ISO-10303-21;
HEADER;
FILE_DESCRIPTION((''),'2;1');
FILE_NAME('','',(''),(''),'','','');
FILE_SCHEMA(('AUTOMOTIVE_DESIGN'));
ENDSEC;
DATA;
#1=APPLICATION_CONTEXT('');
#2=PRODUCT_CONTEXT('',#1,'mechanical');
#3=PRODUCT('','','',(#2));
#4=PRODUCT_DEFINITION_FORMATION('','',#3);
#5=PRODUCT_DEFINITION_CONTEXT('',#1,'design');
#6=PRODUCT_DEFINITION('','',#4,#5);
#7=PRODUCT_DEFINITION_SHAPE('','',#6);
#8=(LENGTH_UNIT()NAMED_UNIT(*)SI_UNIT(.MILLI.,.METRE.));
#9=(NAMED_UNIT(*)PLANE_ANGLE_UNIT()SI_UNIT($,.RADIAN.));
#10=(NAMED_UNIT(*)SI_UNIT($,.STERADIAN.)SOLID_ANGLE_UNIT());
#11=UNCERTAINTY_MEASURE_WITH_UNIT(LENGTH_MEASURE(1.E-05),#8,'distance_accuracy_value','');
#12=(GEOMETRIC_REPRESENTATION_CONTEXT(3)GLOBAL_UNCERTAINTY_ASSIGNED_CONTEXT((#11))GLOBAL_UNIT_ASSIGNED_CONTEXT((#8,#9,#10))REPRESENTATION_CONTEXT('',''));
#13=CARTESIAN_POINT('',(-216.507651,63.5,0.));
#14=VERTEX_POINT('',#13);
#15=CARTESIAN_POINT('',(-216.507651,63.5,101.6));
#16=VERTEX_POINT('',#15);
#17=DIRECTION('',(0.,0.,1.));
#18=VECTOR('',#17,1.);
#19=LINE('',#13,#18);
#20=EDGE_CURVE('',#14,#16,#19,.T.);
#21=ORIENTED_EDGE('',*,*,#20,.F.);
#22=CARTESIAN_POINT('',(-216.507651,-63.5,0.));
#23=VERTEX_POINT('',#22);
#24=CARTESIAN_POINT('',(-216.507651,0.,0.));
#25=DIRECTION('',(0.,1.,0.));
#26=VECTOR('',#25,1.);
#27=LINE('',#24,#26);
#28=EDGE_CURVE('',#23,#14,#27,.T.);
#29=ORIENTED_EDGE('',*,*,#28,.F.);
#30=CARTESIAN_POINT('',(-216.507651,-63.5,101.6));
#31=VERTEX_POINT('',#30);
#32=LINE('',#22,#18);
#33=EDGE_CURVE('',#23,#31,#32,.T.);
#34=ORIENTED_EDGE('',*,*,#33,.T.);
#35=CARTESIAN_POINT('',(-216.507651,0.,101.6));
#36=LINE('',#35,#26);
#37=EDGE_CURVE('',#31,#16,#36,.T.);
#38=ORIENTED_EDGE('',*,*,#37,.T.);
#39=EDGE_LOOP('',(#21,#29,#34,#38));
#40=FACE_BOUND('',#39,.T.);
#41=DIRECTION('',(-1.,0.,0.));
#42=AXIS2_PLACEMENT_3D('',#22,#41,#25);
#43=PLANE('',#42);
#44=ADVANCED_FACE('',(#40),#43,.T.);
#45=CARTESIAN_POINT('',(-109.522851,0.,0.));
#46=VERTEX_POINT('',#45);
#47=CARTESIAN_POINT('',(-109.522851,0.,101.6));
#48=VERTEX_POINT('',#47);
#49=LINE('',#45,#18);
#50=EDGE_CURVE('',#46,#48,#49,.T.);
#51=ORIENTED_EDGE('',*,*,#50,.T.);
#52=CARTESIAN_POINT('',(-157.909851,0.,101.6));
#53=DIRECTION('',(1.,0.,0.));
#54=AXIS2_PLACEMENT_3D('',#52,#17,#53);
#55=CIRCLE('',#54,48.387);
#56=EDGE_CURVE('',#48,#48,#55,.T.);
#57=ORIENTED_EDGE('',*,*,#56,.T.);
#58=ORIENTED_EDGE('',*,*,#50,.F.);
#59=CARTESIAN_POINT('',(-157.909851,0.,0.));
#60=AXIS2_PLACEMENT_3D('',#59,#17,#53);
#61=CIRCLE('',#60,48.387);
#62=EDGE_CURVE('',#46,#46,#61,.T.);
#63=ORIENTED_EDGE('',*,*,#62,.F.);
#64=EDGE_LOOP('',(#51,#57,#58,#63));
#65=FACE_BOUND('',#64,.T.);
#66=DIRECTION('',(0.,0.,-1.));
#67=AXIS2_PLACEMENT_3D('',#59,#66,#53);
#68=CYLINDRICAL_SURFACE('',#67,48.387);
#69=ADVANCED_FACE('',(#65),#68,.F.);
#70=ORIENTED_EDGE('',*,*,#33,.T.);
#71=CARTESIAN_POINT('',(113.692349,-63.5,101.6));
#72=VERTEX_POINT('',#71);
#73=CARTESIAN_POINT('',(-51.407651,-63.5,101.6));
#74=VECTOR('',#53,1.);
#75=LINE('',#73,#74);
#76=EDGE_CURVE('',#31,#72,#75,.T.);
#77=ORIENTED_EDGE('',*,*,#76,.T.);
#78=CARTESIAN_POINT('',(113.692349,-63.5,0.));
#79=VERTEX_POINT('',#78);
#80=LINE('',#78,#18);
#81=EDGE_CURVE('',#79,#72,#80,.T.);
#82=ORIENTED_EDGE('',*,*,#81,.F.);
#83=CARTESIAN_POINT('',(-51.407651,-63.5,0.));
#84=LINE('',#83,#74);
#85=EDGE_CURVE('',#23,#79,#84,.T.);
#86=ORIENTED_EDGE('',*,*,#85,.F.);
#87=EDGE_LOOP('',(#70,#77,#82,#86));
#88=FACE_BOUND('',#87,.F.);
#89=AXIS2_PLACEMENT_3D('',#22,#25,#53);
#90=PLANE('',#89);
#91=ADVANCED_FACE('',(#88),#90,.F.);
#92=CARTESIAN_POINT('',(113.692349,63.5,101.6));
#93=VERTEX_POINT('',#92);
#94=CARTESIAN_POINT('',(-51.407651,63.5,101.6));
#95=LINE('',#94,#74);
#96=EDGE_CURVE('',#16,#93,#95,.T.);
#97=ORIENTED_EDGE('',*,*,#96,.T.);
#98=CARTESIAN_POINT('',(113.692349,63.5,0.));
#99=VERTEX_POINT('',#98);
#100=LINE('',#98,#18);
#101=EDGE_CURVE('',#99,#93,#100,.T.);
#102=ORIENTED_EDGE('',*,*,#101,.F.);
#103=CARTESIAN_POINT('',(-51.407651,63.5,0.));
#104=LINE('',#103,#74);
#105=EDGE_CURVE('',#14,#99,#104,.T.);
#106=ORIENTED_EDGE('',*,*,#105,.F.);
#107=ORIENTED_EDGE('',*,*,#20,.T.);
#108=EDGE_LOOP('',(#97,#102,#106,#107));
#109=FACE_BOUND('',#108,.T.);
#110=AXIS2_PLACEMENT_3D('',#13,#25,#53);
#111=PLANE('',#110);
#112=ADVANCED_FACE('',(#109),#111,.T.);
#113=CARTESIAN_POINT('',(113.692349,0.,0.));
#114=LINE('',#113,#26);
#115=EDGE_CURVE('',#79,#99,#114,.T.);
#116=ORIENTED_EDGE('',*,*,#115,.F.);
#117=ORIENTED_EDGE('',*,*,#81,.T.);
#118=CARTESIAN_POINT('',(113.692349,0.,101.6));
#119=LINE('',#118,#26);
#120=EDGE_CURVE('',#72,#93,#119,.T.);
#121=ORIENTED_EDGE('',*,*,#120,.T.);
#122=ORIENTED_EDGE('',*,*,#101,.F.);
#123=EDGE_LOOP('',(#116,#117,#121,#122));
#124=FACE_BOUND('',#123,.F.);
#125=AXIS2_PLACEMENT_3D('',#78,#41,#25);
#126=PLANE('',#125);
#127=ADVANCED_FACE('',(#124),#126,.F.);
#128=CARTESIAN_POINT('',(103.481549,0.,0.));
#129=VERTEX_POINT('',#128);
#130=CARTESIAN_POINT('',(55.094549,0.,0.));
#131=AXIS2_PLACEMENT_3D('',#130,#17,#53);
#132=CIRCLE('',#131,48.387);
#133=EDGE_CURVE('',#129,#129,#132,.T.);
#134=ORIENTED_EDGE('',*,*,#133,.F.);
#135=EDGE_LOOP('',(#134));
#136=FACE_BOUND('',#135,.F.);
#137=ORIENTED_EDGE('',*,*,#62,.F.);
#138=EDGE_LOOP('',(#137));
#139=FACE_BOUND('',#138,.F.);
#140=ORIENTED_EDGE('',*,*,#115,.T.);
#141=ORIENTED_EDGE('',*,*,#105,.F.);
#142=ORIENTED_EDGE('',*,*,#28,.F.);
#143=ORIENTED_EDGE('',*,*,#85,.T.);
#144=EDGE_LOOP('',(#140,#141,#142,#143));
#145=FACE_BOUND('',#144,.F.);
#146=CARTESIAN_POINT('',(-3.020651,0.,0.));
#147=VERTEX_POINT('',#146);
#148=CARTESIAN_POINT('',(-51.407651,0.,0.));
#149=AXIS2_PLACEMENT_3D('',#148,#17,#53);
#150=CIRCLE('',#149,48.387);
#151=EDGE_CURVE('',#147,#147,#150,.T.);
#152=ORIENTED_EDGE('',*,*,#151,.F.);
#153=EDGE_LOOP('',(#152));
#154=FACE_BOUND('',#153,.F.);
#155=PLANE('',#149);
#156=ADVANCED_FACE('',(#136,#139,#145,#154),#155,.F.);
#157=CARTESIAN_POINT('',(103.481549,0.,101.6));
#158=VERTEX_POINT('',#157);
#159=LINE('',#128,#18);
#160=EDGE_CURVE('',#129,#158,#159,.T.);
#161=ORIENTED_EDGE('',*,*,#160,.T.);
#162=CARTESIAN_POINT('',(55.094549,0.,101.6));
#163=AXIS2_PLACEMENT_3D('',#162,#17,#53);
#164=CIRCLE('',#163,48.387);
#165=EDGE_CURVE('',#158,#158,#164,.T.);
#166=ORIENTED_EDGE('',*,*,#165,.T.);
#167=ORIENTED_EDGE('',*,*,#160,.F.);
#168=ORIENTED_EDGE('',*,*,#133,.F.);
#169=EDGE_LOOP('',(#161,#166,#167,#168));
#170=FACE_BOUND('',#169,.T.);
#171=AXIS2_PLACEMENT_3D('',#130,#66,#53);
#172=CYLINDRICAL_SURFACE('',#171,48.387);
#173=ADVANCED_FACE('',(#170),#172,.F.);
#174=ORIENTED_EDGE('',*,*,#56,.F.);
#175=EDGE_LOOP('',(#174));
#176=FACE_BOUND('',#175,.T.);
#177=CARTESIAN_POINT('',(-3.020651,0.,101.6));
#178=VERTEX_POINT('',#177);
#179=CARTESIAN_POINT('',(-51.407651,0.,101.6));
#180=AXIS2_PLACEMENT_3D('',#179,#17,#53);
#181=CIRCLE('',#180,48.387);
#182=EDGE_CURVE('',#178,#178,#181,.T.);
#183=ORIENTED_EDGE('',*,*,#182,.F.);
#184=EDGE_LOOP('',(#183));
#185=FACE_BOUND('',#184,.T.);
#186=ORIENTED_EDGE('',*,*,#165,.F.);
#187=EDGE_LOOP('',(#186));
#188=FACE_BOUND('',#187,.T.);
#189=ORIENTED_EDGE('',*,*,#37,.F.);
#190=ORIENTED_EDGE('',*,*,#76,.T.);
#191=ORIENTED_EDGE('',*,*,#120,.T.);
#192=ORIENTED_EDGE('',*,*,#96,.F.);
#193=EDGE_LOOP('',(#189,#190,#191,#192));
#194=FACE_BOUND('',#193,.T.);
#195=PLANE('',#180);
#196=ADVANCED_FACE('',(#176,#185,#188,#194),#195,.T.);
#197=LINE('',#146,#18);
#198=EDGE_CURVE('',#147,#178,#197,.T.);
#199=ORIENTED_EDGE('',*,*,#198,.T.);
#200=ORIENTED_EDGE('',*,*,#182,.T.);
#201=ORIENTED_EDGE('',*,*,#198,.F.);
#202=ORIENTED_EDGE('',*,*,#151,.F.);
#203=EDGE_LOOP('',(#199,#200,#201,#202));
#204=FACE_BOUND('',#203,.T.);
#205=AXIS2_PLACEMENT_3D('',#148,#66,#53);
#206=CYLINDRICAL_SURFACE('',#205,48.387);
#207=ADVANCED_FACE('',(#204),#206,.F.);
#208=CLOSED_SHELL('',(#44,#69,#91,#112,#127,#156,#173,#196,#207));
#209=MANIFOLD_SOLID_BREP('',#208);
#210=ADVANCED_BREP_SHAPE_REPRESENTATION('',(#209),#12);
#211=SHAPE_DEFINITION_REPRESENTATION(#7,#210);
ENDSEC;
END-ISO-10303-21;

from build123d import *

# Parameters (mm, degrees)
F0_W     = 330.2
F0_H     = 127
F0_R     = 48.387
F1_DEPTH = 101.6


with BuildPart() as f1:
    # F0 (on Top) → F1 (new body)
    with BuildSketch(Plane.XY):
        with Locations((-51.407651, 0)):
            Rectangle(F0_W, F0_H)
        with Locations((-157.909851, 0)):
            Circle(F0_R, mode=Mode.SUBTRACT)
        with Locations((-51.407651, 0)):
            Circle(F0_R, mode=Mode.SUBTRACT)
        with Locations((55.094549, 0)):
            Circle(F0_R, mode=Mode.SUBTRACT)
    extrude(amount=F1_DEPTH)


solid = f1.part
